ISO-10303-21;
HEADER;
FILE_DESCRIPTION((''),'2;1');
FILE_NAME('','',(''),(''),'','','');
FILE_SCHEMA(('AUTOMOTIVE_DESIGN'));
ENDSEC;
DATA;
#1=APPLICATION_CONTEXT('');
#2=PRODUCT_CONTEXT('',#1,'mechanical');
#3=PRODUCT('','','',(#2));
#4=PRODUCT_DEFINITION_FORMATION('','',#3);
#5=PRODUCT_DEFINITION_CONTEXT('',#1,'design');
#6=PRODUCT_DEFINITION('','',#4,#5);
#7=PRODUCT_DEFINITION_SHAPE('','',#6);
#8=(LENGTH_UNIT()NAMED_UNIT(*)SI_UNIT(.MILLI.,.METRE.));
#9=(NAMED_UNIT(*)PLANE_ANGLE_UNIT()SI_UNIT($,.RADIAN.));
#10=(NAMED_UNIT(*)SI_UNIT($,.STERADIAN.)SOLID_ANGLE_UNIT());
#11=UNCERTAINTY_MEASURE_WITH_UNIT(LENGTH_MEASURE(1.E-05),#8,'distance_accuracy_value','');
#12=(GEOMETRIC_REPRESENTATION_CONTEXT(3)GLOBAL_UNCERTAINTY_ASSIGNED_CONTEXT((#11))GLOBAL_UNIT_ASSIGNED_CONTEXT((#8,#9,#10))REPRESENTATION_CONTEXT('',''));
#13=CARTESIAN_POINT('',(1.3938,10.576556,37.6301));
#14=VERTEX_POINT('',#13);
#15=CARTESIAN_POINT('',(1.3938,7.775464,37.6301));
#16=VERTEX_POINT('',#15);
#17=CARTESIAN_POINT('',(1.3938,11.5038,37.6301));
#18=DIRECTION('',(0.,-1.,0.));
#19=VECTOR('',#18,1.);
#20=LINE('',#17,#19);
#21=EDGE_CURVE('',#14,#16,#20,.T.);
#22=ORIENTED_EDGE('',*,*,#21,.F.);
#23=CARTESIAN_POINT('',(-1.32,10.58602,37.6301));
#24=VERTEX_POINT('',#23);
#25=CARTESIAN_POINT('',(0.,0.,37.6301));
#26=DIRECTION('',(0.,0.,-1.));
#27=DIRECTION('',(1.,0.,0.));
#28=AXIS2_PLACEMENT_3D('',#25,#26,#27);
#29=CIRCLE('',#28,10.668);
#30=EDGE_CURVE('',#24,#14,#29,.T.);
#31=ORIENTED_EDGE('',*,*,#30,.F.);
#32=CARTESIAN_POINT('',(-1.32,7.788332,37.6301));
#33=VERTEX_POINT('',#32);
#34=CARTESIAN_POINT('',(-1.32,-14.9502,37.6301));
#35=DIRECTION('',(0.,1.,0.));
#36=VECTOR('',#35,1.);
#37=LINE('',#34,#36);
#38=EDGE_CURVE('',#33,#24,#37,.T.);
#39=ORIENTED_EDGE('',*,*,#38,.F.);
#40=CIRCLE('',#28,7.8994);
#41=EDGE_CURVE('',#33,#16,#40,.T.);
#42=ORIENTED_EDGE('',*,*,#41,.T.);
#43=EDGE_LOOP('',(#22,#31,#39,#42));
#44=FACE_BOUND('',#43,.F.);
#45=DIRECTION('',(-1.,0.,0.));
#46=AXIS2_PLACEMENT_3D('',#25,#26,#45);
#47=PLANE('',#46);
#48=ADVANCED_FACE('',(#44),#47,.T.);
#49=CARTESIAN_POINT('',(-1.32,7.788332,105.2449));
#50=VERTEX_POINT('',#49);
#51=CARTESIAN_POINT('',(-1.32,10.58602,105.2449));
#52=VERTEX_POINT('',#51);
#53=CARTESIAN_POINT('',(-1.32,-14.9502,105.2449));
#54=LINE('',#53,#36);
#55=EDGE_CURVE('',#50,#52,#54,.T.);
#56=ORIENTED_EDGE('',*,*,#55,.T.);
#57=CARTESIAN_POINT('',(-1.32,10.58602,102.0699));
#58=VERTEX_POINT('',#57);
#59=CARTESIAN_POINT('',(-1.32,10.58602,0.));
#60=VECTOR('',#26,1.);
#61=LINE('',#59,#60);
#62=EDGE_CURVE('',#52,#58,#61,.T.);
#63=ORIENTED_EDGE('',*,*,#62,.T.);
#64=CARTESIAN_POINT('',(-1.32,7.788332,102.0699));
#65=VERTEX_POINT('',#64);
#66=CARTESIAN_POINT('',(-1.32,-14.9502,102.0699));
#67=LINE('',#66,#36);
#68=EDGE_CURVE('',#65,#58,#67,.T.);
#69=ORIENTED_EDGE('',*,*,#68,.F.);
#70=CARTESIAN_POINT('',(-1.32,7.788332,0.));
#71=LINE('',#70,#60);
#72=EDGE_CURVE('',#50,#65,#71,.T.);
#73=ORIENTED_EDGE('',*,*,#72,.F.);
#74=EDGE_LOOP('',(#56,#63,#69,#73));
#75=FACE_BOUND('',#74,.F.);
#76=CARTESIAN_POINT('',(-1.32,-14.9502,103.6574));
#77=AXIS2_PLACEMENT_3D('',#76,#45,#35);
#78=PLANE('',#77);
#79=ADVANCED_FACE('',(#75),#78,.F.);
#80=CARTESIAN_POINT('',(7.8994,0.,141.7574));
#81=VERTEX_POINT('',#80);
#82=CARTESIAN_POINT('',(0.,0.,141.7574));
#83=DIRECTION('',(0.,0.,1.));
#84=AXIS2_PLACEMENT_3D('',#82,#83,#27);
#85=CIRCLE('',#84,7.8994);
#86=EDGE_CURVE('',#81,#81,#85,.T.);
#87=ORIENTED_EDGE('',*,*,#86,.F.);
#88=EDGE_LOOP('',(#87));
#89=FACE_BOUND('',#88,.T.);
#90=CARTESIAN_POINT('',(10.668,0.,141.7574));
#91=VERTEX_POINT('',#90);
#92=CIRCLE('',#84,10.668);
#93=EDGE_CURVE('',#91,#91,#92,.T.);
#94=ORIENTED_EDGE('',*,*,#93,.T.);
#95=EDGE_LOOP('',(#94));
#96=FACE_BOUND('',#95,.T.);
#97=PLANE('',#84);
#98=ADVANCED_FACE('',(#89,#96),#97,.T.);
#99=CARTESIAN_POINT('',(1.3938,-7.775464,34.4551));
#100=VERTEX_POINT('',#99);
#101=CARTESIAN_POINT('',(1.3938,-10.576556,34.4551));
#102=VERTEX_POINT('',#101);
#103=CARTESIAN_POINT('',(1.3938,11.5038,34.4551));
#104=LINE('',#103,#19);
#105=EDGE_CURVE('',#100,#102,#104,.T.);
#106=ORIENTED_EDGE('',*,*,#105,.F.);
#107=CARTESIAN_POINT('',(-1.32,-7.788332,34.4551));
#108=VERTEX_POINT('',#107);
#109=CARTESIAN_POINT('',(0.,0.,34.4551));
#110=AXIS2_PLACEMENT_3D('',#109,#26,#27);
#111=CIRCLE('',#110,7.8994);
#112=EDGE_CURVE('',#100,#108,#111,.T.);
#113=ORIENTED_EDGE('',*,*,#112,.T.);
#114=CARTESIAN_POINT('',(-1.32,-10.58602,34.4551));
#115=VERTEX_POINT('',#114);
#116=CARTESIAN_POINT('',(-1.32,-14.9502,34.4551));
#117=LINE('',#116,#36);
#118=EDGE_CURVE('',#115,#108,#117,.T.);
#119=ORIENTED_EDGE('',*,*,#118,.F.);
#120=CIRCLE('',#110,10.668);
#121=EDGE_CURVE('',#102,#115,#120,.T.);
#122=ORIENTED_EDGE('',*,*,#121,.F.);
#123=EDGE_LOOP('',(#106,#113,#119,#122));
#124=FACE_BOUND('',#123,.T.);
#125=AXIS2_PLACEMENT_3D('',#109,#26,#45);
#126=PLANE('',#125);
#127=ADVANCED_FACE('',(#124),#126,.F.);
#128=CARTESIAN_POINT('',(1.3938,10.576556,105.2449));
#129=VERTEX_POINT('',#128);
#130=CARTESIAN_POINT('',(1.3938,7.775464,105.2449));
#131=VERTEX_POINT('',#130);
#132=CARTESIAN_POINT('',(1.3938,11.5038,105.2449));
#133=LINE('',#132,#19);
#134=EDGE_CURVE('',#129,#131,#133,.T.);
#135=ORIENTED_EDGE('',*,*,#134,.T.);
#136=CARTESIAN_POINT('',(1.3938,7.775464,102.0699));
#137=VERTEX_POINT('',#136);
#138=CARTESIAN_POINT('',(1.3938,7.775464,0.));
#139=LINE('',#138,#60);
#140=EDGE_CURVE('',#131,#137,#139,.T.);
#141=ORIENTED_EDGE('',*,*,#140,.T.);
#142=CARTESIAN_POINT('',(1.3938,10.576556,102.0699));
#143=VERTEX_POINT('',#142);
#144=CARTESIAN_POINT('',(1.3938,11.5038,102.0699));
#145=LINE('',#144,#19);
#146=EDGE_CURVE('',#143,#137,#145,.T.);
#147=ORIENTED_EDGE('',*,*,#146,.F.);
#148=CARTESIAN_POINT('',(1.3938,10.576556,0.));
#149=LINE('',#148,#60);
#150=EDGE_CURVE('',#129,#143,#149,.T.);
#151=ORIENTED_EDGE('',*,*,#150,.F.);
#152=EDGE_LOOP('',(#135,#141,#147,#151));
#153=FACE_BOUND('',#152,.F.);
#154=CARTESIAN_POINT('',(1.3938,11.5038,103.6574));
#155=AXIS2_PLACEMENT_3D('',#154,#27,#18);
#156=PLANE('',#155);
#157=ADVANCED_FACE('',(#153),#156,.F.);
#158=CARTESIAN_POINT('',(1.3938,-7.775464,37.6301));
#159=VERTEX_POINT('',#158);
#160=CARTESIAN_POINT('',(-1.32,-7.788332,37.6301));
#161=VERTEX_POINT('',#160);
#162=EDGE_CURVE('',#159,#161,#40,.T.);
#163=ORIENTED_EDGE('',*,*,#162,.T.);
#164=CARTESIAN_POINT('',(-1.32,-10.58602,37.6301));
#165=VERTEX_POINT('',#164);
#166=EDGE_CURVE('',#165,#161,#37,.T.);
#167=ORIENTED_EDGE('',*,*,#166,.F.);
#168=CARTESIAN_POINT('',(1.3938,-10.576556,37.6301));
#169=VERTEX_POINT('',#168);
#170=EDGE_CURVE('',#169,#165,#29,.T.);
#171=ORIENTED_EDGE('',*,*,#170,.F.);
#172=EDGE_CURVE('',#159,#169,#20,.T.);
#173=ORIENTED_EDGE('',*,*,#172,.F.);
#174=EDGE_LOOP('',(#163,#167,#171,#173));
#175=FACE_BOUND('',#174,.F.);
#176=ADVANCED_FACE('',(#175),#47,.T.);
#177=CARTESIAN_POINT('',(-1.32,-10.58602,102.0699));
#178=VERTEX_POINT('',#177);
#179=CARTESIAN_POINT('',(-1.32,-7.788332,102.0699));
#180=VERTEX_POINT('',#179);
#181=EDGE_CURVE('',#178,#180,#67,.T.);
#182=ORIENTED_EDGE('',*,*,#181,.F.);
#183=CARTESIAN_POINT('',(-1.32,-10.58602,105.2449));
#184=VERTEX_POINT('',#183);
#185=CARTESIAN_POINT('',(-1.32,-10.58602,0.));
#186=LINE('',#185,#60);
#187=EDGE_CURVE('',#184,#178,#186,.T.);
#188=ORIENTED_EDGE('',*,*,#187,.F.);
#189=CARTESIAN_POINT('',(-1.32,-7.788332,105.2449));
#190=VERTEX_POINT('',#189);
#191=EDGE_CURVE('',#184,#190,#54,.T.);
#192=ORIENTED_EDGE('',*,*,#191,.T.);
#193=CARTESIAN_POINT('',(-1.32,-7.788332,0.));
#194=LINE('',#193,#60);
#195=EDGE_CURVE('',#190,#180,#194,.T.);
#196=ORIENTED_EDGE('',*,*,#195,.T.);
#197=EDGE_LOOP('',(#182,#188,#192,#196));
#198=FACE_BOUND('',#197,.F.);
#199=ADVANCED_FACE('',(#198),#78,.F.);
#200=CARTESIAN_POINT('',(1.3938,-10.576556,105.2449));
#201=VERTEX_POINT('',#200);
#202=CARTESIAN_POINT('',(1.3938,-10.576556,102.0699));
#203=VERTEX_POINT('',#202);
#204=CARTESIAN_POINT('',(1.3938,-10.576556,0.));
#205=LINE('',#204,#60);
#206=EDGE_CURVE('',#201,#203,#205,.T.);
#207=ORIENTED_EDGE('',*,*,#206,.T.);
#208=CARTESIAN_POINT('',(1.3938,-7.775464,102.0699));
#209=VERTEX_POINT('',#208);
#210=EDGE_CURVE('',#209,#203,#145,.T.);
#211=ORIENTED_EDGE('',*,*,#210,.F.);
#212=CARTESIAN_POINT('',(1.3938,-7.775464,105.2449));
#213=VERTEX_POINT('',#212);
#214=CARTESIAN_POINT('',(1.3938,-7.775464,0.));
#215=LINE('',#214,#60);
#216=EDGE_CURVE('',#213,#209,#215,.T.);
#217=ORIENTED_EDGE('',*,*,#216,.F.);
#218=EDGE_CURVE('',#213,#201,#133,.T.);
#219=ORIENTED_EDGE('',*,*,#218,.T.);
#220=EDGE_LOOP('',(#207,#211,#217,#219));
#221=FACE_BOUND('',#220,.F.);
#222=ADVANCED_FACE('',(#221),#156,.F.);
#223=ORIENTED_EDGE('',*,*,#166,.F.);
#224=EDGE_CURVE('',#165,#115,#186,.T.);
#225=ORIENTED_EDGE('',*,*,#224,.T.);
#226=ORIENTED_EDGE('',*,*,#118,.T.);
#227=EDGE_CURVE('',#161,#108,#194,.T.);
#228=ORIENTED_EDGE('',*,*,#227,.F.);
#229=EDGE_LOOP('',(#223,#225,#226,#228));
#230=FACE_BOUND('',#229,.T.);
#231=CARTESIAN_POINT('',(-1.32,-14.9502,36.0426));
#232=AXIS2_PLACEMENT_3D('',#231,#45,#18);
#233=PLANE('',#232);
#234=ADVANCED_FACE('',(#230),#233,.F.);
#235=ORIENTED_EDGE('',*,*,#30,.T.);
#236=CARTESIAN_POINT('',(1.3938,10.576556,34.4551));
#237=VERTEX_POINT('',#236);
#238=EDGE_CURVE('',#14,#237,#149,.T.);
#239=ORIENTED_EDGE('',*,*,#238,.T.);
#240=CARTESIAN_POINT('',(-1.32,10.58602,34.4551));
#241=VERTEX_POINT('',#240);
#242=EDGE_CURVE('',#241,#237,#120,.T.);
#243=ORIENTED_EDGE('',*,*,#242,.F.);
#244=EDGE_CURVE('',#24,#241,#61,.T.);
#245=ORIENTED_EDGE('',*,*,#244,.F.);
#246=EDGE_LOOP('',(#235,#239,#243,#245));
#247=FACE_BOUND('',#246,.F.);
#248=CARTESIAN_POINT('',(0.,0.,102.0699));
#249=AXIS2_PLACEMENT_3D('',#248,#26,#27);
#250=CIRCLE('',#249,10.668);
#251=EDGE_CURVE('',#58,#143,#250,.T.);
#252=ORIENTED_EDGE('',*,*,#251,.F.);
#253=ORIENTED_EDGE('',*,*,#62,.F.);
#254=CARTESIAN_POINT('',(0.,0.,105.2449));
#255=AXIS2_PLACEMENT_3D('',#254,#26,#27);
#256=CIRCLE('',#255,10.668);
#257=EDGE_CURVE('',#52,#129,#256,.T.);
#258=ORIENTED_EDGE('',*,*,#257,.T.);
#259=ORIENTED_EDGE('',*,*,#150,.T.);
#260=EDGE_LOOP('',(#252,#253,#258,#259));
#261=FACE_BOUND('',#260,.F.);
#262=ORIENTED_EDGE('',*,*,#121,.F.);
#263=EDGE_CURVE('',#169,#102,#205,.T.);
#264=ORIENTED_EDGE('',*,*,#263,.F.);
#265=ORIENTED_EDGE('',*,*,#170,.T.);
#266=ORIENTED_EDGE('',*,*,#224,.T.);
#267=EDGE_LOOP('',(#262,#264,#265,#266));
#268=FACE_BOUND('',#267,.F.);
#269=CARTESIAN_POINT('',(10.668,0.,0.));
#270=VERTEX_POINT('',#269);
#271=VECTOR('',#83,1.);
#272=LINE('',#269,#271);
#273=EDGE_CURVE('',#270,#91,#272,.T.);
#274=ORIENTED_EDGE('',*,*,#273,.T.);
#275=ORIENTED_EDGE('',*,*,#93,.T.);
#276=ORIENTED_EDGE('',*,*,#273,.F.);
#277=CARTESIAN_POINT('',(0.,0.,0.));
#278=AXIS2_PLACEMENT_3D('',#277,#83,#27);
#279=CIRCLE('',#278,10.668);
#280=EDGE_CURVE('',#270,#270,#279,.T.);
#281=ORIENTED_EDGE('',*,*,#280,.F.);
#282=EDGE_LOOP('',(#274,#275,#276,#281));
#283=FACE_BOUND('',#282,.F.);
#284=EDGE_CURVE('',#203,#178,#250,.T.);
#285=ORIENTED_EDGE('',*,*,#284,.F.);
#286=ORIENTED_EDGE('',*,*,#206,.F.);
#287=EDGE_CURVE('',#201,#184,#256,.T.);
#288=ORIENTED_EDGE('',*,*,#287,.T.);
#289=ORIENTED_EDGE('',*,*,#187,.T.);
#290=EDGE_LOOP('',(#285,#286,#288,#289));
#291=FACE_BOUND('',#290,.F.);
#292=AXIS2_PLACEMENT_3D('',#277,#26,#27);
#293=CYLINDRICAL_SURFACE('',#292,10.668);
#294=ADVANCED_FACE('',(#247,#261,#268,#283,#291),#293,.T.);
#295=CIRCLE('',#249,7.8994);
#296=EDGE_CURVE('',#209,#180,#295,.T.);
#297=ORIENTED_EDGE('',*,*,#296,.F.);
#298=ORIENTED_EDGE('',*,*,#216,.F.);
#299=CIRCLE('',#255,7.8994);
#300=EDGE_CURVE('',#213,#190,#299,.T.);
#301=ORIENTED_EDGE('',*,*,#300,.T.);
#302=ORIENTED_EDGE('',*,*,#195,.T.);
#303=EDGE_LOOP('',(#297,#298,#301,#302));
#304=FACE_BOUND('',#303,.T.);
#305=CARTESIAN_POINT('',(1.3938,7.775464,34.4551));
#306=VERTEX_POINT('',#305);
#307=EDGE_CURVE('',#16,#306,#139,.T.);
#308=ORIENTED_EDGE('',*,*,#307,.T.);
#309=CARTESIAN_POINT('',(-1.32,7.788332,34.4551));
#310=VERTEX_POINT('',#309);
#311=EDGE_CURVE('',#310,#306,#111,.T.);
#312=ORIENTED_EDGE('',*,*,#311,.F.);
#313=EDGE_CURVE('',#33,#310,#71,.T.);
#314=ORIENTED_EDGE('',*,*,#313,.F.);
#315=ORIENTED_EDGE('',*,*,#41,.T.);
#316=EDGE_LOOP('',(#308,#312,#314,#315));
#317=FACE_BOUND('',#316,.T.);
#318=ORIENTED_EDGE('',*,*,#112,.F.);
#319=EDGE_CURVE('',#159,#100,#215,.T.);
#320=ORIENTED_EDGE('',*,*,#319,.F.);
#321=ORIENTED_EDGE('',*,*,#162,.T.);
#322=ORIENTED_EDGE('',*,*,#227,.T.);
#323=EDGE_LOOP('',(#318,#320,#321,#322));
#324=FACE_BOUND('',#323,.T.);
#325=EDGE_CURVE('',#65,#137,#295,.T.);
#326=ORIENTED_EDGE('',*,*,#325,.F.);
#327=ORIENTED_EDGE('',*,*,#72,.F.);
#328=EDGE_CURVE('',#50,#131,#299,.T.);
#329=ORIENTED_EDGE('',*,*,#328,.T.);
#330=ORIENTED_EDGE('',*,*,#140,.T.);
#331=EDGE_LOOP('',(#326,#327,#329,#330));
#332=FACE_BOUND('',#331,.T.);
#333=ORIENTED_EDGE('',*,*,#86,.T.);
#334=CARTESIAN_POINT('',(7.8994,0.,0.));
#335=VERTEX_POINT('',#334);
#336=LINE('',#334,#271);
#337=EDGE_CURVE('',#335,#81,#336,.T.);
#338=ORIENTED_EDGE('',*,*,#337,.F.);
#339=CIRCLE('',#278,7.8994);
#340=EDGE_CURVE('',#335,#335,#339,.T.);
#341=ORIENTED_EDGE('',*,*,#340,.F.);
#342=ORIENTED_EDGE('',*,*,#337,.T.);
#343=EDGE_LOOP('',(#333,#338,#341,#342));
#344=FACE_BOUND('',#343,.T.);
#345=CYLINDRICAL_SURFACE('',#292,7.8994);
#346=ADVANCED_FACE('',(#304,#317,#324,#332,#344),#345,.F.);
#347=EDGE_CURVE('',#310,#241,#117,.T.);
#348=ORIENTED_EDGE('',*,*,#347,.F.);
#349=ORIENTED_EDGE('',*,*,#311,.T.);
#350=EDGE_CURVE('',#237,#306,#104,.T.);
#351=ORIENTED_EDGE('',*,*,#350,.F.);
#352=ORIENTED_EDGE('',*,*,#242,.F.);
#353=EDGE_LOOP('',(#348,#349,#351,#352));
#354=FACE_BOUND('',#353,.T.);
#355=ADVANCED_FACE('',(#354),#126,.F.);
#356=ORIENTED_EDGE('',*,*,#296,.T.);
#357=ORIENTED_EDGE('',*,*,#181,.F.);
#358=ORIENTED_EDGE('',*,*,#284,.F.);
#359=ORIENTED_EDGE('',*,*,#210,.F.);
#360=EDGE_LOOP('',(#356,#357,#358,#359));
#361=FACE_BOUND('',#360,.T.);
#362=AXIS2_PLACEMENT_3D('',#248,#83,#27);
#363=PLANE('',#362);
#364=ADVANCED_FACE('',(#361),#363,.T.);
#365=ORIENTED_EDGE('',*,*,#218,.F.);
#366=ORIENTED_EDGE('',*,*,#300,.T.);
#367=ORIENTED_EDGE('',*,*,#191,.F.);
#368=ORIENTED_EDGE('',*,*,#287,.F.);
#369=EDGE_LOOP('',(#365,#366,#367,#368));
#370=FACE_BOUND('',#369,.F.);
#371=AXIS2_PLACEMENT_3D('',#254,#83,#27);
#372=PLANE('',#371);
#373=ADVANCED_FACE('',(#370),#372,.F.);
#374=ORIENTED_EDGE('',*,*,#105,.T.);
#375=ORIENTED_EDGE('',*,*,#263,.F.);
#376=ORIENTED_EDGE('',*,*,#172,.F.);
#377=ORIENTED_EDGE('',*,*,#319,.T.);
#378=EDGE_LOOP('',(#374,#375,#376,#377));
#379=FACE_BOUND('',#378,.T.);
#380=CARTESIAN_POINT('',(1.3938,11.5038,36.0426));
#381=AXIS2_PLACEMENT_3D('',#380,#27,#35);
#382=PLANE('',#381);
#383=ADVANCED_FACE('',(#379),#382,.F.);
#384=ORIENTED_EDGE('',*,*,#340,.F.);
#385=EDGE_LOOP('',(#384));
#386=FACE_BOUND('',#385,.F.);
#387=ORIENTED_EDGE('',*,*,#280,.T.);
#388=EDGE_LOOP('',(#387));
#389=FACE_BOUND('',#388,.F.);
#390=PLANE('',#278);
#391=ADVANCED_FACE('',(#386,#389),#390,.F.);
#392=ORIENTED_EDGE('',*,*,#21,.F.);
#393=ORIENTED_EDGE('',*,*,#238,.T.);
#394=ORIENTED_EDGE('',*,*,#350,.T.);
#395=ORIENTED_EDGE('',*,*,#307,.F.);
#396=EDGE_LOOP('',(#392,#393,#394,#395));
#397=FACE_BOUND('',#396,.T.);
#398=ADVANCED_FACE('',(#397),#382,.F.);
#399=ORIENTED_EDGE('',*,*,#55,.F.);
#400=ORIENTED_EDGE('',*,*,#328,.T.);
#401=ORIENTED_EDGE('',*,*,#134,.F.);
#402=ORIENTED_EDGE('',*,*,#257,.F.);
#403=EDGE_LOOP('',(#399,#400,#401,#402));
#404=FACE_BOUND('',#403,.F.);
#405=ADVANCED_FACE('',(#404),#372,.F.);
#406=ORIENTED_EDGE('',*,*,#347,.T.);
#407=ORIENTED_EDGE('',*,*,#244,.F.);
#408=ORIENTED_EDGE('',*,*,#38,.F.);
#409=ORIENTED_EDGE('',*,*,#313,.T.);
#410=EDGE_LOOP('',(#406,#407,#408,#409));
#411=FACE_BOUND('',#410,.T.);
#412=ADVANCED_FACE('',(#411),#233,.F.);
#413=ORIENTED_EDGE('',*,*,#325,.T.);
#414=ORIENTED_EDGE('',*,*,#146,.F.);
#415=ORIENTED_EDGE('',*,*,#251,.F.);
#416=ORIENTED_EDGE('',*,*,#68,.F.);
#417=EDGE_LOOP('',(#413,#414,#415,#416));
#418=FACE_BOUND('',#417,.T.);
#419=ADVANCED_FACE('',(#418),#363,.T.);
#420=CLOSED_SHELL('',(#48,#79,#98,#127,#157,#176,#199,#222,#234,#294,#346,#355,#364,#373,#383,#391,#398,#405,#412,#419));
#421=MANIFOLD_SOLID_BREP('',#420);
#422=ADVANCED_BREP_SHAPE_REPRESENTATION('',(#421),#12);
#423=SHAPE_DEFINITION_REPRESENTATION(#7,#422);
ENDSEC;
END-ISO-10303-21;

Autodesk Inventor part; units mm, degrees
sketch "Sketch1" plane through (0, 0, 0) normal (0, 0, 1) x (1, 0, 0)
  circle A0 centre (0, 0) radius 7.8994
  circle A1 centre (0, 0) radius 10.668
  dimension "d0" = 15.7988
  dimension "d1" = 21.336
extrude "Extrusion1" add sketch "Sketch1" along normal blind 141.7574
ref_plane "Work Plane1" through (0, 0, 141.7574) normal (0, 0, 1) x (1, 0, 0)
ref_plane "Work Plane2" through (0, 0, 103.6574) normal (0, 0, 1) x (1, 0, 0)
sketch "Sketch2" plane through (0, 0, 103.6574) normal (0, 0, 1) x (1, 0, 0)
  line L0 (-1.32, 11.5038) -> (1.3938, 11.5038)
  line L1 (1.3938, 11.5038) -> (1.3938, -14.9502)
  line L2 (1.3938, -14.9502) -> (-1.32, -14.9502)
  line L3 (-1.32, -14.9502) -> (-1.32, 11.5038)
  point P0 (0, 0)
extrude "Extrusion2" cut sketch "Sketch2" along normal mid plane 3.175
ref_plane "Work Plane3" through (0, 0, 0) normal (0, 0, -1) x (-1, 0, 0)
ref_plane "Work Plane4" through (0, 0, 69.85) normal (0, 0, -1) x (-1, 0, 0)
mirror "Mirror1" about plane through (0, 0, 69.85) normal (0, 0, -1) of "Extrusion2"
properties part number "custom pvc spool"
